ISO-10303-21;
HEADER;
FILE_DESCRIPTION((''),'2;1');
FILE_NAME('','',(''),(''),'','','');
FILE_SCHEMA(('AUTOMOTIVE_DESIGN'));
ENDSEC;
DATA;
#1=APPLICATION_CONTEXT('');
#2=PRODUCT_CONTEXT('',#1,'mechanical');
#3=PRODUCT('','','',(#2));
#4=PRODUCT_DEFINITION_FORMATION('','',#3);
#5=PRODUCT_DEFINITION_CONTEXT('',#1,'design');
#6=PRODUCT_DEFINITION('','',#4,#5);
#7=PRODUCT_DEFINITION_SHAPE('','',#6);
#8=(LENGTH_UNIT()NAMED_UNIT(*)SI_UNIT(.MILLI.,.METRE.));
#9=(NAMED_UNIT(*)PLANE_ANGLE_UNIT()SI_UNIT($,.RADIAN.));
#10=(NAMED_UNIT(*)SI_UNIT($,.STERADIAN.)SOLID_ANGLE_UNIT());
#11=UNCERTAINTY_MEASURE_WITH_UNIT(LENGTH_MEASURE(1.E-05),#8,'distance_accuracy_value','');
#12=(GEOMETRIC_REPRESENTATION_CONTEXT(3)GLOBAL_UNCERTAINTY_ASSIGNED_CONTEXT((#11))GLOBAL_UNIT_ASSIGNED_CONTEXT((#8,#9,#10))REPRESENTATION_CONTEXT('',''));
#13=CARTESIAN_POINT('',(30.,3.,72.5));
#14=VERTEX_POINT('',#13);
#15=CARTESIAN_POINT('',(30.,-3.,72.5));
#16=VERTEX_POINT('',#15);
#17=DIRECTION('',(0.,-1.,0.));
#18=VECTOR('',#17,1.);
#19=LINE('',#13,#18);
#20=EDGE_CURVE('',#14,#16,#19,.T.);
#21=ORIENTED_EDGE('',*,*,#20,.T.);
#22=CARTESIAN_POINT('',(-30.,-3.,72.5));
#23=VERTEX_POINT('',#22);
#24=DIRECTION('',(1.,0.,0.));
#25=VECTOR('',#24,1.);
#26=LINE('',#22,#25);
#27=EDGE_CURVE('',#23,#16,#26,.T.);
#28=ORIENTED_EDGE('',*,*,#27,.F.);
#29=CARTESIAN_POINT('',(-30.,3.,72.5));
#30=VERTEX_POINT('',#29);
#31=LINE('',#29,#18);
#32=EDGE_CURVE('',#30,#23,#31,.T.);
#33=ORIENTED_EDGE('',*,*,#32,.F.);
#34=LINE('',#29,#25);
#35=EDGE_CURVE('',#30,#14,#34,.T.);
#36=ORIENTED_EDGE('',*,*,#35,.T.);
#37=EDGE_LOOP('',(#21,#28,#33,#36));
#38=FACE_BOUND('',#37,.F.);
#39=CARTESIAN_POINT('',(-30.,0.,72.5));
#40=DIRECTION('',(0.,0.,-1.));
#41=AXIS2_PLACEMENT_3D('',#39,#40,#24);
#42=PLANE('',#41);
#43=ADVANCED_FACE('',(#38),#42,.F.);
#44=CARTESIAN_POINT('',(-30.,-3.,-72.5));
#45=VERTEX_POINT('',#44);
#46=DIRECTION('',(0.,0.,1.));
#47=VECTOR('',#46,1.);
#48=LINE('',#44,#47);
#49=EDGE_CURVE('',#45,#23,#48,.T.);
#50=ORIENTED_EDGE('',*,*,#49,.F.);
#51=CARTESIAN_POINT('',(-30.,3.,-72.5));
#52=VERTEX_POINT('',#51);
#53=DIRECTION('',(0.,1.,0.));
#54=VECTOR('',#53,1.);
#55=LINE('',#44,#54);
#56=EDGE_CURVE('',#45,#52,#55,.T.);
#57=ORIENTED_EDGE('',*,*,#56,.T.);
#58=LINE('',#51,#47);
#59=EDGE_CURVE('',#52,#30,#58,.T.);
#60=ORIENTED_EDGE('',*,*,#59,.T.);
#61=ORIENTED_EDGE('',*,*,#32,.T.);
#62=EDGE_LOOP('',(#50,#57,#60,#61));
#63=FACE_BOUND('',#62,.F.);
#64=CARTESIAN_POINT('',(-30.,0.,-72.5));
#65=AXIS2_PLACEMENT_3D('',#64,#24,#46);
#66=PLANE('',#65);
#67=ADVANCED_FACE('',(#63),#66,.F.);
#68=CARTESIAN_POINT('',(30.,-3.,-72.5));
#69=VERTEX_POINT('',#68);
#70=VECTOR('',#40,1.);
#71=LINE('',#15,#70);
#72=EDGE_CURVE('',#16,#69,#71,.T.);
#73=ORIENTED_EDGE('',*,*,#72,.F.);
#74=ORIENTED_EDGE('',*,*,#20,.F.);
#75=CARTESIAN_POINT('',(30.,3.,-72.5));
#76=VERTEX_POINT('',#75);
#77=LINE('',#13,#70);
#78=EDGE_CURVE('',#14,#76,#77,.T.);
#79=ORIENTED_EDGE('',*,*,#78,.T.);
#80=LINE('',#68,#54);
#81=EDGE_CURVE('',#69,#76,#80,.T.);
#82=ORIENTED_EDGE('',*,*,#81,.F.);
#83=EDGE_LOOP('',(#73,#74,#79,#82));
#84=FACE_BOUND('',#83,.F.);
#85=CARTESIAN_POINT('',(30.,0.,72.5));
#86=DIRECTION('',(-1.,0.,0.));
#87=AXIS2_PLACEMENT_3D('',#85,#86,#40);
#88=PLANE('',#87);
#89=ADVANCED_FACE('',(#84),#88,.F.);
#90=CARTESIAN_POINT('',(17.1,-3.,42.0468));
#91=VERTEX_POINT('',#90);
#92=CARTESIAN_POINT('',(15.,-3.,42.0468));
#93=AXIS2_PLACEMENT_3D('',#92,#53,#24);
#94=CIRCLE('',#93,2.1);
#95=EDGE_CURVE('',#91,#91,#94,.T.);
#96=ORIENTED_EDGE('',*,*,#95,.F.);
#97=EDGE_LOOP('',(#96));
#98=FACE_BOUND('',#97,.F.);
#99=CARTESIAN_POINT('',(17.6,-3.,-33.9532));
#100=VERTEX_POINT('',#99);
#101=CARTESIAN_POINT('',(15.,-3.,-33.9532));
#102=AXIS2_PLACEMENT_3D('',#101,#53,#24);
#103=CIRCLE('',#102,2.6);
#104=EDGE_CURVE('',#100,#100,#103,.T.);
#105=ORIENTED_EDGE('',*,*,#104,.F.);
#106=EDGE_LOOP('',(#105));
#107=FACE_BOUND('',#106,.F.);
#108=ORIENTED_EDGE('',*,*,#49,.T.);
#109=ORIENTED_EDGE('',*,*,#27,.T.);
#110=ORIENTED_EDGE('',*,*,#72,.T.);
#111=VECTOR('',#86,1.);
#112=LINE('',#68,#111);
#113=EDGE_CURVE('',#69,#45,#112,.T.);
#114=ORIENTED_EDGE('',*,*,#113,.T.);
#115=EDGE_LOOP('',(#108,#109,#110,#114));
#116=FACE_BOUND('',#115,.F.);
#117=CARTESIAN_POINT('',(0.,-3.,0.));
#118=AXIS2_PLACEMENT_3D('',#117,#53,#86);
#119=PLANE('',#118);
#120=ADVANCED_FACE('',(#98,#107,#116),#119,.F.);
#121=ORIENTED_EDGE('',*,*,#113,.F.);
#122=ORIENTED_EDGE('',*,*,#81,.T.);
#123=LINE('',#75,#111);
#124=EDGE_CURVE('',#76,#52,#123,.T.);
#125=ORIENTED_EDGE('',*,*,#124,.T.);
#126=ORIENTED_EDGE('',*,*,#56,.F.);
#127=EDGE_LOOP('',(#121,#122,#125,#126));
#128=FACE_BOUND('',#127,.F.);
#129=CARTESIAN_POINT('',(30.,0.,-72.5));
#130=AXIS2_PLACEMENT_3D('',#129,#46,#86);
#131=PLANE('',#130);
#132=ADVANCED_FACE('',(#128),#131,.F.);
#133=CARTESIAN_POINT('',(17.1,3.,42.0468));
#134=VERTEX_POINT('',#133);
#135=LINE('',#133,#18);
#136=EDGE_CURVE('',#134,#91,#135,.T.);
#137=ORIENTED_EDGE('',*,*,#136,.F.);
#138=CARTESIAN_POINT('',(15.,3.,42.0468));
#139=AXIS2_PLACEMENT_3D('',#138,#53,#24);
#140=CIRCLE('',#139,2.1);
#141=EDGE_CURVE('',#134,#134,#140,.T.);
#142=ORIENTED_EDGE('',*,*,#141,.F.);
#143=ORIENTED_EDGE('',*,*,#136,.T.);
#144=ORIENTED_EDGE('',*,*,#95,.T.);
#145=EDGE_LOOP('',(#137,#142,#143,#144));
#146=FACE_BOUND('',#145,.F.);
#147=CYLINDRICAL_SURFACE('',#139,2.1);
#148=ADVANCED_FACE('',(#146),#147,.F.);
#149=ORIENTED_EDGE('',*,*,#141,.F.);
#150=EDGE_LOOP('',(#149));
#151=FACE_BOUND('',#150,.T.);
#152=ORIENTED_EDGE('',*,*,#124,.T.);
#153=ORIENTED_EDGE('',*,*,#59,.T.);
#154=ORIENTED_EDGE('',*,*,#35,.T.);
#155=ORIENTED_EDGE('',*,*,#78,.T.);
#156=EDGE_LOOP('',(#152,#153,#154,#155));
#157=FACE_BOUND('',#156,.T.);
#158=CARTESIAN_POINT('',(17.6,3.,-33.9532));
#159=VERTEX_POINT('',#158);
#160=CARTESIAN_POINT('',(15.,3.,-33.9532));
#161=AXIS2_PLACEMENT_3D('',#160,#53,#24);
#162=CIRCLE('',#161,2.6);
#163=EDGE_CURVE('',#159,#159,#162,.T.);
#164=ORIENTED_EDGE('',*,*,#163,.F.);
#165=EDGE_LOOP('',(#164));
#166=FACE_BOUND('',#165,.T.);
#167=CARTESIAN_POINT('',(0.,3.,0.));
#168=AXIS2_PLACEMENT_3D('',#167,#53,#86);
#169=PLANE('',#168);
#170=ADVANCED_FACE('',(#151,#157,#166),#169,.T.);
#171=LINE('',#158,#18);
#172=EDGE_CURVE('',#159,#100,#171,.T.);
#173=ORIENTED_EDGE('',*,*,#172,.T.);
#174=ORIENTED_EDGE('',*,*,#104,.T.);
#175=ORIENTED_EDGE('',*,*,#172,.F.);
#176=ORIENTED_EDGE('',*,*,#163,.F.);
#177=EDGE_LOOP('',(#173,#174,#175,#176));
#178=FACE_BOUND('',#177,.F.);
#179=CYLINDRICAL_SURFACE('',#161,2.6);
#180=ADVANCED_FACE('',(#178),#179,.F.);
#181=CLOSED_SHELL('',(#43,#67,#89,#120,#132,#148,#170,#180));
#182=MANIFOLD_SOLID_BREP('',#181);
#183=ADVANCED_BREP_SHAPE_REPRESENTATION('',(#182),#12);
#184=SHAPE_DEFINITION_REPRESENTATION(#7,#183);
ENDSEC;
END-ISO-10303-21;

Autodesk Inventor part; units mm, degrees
ref_plane "YZ Plane" through (0, 0, 0) normal (1, 0, 0) x (0, 1, 0)
ref_plane "XZ Plane" through (0, 0, 0) normal (0, 1, 0) x (-1, 0, 0)
ref_plane "XY Plane" through (0, 0, 0) normal (0, 0, 1) x (1, 0, 0)
sketch "Эскиз1" plane through (0, 0, 0) normal (0, 1, 0) x (-1, 0, 0)
  line L0 (-30, -72.5) -> (30, -72.5)
  line L1 (30, -72.5) -> (30, 72.5)
  line L2 (30, 72.5) -> (-30, 72.5)
  line L3 (-30, 72.5) -> (-30, -72.5)
  line L4 (-30, -72.5) -> (30, 72.5) construction
  line L5 (30, -72.5) -> (-30, 72.5) construction
  point P0 (0, 0)
  dimension "d0" = 145
  dimension "d1" = 60
extrude "Выдавливание1" add sketch "Эскиз1" along normal mid plane 6
sketch "Эскиз2" plane through (0, 3, 0) normal (0, 1, 0) x (1, 0, 0)
  circle A0 centre (15, -42.0468) radius 2.1 projected
  circle A1 centre (15, 33.9532) radius 2.6 projected
  point P0 (0, 0)
extrude "Выдавливание2" cut sketch "Эскиз2" against normal up to next
properties part number "проставка"
